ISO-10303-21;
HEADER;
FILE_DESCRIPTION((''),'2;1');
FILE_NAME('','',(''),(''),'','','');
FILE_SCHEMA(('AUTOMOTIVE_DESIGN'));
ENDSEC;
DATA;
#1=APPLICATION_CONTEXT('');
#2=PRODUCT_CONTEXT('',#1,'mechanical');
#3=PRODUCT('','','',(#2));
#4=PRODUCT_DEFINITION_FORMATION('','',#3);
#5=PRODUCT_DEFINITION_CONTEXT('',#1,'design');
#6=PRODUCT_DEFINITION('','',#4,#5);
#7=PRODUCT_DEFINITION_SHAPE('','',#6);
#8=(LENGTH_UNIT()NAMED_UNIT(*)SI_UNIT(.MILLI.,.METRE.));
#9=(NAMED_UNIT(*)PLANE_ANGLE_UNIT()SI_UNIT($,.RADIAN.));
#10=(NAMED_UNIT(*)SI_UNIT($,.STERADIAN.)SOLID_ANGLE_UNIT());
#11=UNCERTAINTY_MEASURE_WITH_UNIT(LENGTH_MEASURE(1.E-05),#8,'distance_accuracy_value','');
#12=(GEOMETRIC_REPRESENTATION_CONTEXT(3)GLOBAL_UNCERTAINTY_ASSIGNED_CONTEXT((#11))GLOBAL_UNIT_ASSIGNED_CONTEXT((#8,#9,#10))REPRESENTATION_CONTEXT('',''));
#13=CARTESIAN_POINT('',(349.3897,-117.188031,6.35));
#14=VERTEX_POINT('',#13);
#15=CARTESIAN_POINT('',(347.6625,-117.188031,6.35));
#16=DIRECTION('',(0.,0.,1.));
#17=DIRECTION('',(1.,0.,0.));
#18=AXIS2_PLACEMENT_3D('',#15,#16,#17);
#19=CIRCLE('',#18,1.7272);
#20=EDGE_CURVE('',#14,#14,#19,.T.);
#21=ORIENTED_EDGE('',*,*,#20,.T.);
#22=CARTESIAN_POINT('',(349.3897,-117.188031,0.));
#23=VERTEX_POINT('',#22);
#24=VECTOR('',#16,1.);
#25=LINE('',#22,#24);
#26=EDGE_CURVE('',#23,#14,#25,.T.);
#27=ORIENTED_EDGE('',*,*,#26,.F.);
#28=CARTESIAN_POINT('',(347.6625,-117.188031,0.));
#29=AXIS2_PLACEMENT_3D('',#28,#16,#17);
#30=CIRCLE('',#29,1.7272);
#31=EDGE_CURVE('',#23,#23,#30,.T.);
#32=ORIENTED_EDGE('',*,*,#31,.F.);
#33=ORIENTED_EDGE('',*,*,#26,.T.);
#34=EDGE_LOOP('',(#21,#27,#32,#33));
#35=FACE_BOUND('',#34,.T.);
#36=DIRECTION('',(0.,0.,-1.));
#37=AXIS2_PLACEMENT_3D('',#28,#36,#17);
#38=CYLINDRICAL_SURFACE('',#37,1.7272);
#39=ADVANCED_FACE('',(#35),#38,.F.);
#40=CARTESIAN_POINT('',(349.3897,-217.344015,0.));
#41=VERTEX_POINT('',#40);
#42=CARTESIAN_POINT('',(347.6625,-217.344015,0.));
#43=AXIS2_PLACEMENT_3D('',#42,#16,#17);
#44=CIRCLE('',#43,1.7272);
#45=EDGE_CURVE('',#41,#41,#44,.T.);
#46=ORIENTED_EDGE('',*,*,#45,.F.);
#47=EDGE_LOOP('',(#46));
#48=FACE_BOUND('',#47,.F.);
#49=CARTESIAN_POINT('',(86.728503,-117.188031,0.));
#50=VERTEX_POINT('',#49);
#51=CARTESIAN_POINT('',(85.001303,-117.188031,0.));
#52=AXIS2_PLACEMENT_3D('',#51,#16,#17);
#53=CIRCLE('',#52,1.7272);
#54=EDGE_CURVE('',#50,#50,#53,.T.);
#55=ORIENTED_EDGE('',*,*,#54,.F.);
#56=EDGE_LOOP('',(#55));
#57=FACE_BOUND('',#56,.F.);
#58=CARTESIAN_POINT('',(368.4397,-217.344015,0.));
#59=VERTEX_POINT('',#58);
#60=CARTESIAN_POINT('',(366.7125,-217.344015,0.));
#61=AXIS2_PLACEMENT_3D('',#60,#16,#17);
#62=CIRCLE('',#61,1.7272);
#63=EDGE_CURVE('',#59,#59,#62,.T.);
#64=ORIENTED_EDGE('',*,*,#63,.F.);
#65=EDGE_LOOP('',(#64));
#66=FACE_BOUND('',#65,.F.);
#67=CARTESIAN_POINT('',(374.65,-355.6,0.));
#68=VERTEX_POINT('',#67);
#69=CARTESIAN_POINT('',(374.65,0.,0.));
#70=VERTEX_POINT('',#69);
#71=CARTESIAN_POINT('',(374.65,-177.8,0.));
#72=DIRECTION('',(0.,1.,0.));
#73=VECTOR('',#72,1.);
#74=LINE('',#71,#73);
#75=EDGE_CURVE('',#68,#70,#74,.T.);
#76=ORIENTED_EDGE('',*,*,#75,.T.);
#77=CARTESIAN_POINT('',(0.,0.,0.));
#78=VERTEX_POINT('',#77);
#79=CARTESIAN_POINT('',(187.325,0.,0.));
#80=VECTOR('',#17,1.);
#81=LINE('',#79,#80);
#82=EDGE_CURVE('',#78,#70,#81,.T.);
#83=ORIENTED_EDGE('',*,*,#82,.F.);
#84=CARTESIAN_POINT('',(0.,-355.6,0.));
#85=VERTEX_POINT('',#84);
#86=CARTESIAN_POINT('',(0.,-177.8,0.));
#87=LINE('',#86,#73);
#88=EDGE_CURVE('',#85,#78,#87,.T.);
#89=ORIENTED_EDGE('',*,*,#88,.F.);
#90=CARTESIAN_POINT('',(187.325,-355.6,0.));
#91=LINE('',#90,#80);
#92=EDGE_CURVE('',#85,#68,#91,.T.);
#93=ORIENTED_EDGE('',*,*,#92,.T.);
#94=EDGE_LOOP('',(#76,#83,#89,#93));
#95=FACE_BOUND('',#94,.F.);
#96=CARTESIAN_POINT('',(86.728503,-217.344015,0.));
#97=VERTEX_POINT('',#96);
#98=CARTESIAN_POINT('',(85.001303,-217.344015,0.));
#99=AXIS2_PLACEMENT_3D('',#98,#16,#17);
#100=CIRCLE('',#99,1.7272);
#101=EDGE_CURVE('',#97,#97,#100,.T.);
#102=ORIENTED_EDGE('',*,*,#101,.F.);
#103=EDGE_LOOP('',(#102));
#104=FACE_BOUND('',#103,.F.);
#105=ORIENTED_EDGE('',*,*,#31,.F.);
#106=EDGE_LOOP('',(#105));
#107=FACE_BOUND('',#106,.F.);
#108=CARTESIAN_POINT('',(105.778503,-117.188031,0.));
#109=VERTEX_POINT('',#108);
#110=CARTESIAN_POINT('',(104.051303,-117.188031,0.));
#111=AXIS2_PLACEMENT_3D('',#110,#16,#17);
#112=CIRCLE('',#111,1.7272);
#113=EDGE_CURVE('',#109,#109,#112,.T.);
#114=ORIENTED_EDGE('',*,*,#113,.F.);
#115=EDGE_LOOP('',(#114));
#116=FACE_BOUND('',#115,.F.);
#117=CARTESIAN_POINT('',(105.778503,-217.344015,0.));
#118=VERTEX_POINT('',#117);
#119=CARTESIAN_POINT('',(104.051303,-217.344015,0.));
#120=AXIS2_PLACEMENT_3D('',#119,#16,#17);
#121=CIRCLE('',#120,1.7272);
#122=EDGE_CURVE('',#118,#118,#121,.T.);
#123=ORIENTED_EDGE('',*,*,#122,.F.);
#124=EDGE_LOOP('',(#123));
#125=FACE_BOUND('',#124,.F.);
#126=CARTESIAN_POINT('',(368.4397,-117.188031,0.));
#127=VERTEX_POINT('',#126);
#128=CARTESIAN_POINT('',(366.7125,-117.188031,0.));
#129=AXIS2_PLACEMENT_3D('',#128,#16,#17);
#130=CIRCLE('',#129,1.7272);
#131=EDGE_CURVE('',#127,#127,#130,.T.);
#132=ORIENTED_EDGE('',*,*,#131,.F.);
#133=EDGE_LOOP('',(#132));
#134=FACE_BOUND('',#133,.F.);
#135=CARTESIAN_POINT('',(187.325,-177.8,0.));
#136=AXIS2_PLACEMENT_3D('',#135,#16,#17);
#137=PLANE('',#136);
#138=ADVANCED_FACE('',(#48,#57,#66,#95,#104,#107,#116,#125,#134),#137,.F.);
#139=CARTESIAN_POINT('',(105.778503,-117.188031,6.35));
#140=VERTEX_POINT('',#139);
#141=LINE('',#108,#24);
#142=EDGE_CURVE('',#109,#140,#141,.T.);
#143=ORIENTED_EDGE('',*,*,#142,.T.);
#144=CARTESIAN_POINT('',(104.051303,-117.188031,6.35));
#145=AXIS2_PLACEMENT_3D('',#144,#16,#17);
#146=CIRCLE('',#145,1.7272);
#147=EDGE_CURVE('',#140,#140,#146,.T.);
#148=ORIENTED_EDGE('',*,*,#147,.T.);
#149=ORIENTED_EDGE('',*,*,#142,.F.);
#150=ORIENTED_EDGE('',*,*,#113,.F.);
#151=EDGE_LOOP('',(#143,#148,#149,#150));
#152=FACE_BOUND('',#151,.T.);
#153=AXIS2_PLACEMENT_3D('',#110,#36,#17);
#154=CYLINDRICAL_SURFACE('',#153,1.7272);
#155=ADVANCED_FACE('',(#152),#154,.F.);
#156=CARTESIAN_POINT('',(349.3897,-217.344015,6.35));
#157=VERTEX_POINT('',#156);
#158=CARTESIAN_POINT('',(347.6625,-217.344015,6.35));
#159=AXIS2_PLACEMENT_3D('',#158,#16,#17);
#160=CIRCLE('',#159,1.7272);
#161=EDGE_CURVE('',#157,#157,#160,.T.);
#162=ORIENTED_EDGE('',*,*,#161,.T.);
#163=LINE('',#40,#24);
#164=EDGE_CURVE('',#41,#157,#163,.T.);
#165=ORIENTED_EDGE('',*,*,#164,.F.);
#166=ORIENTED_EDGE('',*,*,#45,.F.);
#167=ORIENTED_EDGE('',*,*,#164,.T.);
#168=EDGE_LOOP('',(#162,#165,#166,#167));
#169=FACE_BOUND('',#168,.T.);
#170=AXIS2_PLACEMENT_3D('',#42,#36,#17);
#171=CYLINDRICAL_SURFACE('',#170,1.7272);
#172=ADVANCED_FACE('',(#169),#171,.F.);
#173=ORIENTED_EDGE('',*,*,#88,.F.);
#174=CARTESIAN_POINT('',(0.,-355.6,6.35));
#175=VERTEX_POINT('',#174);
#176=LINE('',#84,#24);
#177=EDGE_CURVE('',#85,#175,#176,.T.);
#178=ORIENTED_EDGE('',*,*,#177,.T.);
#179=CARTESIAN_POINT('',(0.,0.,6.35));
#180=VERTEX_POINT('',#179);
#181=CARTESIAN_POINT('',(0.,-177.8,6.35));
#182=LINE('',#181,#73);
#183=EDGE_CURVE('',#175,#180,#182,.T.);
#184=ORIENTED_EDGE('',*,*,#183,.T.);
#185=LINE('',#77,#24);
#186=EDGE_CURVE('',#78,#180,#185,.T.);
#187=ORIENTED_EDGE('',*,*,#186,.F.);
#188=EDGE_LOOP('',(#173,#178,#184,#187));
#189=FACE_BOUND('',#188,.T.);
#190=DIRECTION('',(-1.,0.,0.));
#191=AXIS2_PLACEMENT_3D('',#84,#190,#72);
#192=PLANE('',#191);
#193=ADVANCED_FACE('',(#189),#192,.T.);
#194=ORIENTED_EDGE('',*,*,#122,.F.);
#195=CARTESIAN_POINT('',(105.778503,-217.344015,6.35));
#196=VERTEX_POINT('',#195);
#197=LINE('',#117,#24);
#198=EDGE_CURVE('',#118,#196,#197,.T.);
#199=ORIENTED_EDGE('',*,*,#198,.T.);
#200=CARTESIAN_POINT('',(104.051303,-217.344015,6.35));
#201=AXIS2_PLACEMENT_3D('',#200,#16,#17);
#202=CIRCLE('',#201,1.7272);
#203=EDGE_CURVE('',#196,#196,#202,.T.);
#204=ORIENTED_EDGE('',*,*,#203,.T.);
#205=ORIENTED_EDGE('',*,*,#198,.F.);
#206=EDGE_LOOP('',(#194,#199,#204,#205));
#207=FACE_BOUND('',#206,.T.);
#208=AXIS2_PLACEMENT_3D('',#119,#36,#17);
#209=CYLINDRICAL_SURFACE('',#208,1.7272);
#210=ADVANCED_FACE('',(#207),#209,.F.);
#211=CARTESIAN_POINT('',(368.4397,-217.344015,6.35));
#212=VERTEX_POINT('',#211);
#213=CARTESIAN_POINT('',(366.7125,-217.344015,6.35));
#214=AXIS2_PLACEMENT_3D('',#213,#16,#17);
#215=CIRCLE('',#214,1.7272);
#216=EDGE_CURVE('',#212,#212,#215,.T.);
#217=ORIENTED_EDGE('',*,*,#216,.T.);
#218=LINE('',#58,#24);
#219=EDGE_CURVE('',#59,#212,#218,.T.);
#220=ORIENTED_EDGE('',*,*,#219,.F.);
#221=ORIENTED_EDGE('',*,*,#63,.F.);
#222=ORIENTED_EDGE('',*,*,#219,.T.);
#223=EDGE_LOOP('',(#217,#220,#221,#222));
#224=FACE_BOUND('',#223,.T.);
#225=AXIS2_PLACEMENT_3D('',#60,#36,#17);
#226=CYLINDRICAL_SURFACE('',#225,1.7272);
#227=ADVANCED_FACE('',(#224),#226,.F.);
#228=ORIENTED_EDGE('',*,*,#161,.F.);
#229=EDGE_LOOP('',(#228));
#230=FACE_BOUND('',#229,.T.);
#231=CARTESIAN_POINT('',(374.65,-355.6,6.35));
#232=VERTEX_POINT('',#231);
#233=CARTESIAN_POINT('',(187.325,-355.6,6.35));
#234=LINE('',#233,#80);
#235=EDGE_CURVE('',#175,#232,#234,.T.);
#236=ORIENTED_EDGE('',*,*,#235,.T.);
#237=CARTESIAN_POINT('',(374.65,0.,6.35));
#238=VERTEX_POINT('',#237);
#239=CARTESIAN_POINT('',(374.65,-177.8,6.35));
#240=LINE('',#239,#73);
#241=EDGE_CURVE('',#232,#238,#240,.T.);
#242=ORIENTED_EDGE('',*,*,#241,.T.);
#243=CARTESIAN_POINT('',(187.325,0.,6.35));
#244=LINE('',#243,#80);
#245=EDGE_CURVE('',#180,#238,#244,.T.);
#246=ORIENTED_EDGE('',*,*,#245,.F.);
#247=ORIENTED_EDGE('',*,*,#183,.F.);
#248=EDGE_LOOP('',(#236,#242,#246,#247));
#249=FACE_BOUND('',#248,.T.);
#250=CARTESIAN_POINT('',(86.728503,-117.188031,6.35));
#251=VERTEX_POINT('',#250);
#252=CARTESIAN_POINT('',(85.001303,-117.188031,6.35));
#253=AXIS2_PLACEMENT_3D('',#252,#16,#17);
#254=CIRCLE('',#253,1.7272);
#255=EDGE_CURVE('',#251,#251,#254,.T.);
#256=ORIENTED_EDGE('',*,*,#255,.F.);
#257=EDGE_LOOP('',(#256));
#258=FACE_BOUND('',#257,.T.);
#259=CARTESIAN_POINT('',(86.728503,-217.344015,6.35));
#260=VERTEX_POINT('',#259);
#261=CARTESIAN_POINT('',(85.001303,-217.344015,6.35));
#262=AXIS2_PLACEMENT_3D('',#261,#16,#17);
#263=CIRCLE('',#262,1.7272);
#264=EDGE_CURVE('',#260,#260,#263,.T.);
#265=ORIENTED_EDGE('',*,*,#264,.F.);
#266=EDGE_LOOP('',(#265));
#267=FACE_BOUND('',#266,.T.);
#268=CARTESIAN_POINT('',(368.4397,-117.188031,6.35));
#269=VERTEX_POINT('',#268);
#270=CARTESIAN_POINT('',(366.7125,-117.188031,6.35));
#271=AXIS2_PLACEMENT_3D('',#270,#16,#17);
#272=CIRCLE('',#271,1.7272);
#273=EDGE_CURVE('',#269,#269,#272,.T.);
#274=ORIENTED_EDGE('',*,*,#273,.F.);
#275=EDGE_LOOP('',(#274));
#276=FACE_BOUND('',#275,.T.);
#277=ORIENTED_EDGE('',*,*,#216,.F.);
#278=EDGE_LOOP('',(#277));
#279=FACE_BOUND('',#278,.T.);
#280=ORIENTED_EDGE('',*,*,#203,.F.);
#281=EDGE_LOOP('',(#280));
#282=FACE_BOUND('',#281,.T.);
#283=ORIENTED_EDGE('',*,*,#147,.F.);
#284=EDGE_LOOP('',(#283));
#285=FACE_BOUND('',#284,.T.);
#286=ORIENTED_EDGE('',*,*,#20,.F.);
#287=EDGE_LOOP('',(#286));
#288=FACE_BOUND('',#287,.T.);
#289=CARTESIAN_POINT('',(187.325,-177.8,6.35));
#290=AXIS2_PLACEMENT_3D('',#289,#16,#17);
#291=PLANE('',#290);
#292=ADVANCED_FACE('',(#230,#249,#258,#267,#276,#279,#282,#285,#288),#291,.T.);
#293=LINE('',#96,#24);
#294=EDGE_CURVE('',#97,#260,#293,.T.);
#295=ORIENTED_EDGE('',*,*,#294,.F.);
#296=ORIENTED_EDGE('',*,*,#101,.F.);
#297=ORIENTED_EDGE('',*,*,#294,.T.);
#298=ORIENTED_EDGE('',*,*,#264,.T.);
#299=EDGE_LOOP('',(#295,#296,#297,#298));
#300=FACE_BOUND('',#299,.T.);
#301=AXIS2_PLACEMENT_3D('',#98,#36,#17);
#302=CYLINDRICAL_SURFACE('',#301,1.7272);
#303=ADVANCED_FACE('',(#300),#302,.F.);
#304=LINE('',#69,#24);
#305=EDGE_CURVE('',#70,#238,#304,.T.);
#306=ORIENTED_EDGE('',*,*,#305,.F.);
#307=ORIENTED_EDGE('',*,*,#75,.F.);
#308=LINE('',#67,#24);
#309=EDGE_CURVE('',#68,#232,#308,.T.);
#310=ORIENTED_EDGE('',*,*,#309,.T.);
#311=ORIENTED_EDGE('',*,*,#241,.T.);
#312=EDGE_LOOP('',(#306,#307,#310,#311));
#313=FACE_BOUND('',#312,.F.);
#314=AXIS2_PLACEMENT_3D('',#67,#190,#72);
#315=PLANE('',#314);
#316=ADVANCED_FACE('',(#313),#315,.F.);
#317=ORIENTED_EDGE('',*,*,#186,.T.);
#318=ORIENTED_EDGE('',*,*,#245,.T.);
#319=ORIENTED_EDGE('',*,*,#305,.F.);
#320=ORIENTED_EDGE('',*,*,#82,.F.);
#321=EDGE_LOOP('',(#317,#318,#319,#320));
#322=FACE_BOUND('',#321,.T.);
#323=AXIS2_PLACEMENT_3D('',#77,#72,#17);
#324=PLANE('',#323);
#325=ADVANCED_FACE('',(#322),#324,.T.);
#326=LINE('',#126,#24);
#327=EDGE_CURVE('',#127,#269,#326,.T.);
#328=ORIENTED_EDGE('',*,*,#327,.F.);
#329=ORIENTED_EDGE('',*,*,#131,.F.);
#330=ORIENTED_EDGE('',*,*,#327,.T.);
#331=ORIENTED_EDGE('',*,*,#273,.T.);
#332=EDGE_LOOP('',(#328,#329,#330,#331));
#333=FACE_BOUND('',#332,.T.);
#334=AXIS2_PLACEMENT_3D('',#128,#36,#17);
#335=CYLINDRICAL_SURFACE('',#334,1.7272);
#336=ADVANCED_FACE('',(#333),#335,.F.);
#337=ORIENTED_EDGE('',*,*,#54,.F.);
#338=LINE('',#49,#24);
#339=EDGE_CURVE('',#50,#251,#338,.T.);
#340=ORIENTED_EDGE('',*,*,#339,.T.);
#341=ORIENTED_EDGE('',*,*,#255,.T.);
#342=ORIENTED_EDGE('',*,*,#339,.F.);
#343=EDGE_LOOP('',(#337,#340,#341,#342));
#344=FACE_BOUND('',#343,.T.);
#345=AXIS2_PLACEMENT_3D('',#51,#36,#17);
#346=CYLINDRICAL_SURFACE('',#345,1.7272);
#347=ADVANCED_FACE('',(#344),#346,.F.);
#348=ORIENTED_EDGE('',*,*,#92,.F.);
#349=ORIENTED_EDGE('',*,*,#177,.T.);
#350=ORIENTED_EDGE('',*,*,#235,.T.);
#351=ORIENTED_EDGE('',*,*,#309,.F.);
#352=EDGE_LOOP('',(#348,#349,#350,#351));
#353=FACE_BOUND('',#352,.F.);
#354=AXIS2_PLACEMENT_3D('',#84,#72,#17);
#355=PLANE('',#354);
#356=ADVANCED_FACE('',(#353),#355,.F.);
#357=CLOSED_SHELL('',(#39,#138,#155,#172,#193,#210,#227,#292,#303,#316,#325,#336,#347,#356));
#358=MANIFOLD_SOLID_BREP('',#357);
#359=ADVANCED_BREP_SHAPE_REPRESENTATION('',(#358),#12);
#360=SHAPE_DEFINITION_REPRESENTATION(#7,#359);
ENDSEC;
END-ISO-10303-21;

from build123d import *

# Parameters (mm, degrees)
F0_W     = 374.65
F0_H     = 355.6
F0_R     = 1.7272
F1_DEPTH = 6.35


with BuildPart() as f1:
    # F0 (on Top) → F1 (new body)
    with BuildSketch(Plane.XY):
        with Locations((187.325, -177.8)):
            Rectangle(F0_W, F0_H)
        with Locations((85.001303, -217.344015)):
            Circle(F0_R, mode=Mode.SUBTRACT)
        with Locations((104.051303, -217.344015)):
            Circle(F0_R, mode=Mode.SUBTRACT)
        with Locations((347.6625, -217.344015)):
            Circle(F0_R, mode=Mode.SUBTRACT)
        with Locations((366.7125, -217.344015)):
            Circle(F0_R, mode=Mode.SUBTRACT)
        with Locations((85.001303, -117.188031)):
            Circle(F0_R, mode=Mode.SUBTRACT)
        with Locations((104.051303, -117.188031)):
            Circle(F0_R, mode=Mode.SUBTRACT)
        with Locations((347.6625, -117.188031)):
            Circle(F0_R, mode=Mode.SUBTRACT)
        with Locations((366.7125, -117.188031)):
            Circle(F0_R, mode=Mode.SUBTRACT)
    extrude(amount=F1_DEPTH)


solid = f1.part
